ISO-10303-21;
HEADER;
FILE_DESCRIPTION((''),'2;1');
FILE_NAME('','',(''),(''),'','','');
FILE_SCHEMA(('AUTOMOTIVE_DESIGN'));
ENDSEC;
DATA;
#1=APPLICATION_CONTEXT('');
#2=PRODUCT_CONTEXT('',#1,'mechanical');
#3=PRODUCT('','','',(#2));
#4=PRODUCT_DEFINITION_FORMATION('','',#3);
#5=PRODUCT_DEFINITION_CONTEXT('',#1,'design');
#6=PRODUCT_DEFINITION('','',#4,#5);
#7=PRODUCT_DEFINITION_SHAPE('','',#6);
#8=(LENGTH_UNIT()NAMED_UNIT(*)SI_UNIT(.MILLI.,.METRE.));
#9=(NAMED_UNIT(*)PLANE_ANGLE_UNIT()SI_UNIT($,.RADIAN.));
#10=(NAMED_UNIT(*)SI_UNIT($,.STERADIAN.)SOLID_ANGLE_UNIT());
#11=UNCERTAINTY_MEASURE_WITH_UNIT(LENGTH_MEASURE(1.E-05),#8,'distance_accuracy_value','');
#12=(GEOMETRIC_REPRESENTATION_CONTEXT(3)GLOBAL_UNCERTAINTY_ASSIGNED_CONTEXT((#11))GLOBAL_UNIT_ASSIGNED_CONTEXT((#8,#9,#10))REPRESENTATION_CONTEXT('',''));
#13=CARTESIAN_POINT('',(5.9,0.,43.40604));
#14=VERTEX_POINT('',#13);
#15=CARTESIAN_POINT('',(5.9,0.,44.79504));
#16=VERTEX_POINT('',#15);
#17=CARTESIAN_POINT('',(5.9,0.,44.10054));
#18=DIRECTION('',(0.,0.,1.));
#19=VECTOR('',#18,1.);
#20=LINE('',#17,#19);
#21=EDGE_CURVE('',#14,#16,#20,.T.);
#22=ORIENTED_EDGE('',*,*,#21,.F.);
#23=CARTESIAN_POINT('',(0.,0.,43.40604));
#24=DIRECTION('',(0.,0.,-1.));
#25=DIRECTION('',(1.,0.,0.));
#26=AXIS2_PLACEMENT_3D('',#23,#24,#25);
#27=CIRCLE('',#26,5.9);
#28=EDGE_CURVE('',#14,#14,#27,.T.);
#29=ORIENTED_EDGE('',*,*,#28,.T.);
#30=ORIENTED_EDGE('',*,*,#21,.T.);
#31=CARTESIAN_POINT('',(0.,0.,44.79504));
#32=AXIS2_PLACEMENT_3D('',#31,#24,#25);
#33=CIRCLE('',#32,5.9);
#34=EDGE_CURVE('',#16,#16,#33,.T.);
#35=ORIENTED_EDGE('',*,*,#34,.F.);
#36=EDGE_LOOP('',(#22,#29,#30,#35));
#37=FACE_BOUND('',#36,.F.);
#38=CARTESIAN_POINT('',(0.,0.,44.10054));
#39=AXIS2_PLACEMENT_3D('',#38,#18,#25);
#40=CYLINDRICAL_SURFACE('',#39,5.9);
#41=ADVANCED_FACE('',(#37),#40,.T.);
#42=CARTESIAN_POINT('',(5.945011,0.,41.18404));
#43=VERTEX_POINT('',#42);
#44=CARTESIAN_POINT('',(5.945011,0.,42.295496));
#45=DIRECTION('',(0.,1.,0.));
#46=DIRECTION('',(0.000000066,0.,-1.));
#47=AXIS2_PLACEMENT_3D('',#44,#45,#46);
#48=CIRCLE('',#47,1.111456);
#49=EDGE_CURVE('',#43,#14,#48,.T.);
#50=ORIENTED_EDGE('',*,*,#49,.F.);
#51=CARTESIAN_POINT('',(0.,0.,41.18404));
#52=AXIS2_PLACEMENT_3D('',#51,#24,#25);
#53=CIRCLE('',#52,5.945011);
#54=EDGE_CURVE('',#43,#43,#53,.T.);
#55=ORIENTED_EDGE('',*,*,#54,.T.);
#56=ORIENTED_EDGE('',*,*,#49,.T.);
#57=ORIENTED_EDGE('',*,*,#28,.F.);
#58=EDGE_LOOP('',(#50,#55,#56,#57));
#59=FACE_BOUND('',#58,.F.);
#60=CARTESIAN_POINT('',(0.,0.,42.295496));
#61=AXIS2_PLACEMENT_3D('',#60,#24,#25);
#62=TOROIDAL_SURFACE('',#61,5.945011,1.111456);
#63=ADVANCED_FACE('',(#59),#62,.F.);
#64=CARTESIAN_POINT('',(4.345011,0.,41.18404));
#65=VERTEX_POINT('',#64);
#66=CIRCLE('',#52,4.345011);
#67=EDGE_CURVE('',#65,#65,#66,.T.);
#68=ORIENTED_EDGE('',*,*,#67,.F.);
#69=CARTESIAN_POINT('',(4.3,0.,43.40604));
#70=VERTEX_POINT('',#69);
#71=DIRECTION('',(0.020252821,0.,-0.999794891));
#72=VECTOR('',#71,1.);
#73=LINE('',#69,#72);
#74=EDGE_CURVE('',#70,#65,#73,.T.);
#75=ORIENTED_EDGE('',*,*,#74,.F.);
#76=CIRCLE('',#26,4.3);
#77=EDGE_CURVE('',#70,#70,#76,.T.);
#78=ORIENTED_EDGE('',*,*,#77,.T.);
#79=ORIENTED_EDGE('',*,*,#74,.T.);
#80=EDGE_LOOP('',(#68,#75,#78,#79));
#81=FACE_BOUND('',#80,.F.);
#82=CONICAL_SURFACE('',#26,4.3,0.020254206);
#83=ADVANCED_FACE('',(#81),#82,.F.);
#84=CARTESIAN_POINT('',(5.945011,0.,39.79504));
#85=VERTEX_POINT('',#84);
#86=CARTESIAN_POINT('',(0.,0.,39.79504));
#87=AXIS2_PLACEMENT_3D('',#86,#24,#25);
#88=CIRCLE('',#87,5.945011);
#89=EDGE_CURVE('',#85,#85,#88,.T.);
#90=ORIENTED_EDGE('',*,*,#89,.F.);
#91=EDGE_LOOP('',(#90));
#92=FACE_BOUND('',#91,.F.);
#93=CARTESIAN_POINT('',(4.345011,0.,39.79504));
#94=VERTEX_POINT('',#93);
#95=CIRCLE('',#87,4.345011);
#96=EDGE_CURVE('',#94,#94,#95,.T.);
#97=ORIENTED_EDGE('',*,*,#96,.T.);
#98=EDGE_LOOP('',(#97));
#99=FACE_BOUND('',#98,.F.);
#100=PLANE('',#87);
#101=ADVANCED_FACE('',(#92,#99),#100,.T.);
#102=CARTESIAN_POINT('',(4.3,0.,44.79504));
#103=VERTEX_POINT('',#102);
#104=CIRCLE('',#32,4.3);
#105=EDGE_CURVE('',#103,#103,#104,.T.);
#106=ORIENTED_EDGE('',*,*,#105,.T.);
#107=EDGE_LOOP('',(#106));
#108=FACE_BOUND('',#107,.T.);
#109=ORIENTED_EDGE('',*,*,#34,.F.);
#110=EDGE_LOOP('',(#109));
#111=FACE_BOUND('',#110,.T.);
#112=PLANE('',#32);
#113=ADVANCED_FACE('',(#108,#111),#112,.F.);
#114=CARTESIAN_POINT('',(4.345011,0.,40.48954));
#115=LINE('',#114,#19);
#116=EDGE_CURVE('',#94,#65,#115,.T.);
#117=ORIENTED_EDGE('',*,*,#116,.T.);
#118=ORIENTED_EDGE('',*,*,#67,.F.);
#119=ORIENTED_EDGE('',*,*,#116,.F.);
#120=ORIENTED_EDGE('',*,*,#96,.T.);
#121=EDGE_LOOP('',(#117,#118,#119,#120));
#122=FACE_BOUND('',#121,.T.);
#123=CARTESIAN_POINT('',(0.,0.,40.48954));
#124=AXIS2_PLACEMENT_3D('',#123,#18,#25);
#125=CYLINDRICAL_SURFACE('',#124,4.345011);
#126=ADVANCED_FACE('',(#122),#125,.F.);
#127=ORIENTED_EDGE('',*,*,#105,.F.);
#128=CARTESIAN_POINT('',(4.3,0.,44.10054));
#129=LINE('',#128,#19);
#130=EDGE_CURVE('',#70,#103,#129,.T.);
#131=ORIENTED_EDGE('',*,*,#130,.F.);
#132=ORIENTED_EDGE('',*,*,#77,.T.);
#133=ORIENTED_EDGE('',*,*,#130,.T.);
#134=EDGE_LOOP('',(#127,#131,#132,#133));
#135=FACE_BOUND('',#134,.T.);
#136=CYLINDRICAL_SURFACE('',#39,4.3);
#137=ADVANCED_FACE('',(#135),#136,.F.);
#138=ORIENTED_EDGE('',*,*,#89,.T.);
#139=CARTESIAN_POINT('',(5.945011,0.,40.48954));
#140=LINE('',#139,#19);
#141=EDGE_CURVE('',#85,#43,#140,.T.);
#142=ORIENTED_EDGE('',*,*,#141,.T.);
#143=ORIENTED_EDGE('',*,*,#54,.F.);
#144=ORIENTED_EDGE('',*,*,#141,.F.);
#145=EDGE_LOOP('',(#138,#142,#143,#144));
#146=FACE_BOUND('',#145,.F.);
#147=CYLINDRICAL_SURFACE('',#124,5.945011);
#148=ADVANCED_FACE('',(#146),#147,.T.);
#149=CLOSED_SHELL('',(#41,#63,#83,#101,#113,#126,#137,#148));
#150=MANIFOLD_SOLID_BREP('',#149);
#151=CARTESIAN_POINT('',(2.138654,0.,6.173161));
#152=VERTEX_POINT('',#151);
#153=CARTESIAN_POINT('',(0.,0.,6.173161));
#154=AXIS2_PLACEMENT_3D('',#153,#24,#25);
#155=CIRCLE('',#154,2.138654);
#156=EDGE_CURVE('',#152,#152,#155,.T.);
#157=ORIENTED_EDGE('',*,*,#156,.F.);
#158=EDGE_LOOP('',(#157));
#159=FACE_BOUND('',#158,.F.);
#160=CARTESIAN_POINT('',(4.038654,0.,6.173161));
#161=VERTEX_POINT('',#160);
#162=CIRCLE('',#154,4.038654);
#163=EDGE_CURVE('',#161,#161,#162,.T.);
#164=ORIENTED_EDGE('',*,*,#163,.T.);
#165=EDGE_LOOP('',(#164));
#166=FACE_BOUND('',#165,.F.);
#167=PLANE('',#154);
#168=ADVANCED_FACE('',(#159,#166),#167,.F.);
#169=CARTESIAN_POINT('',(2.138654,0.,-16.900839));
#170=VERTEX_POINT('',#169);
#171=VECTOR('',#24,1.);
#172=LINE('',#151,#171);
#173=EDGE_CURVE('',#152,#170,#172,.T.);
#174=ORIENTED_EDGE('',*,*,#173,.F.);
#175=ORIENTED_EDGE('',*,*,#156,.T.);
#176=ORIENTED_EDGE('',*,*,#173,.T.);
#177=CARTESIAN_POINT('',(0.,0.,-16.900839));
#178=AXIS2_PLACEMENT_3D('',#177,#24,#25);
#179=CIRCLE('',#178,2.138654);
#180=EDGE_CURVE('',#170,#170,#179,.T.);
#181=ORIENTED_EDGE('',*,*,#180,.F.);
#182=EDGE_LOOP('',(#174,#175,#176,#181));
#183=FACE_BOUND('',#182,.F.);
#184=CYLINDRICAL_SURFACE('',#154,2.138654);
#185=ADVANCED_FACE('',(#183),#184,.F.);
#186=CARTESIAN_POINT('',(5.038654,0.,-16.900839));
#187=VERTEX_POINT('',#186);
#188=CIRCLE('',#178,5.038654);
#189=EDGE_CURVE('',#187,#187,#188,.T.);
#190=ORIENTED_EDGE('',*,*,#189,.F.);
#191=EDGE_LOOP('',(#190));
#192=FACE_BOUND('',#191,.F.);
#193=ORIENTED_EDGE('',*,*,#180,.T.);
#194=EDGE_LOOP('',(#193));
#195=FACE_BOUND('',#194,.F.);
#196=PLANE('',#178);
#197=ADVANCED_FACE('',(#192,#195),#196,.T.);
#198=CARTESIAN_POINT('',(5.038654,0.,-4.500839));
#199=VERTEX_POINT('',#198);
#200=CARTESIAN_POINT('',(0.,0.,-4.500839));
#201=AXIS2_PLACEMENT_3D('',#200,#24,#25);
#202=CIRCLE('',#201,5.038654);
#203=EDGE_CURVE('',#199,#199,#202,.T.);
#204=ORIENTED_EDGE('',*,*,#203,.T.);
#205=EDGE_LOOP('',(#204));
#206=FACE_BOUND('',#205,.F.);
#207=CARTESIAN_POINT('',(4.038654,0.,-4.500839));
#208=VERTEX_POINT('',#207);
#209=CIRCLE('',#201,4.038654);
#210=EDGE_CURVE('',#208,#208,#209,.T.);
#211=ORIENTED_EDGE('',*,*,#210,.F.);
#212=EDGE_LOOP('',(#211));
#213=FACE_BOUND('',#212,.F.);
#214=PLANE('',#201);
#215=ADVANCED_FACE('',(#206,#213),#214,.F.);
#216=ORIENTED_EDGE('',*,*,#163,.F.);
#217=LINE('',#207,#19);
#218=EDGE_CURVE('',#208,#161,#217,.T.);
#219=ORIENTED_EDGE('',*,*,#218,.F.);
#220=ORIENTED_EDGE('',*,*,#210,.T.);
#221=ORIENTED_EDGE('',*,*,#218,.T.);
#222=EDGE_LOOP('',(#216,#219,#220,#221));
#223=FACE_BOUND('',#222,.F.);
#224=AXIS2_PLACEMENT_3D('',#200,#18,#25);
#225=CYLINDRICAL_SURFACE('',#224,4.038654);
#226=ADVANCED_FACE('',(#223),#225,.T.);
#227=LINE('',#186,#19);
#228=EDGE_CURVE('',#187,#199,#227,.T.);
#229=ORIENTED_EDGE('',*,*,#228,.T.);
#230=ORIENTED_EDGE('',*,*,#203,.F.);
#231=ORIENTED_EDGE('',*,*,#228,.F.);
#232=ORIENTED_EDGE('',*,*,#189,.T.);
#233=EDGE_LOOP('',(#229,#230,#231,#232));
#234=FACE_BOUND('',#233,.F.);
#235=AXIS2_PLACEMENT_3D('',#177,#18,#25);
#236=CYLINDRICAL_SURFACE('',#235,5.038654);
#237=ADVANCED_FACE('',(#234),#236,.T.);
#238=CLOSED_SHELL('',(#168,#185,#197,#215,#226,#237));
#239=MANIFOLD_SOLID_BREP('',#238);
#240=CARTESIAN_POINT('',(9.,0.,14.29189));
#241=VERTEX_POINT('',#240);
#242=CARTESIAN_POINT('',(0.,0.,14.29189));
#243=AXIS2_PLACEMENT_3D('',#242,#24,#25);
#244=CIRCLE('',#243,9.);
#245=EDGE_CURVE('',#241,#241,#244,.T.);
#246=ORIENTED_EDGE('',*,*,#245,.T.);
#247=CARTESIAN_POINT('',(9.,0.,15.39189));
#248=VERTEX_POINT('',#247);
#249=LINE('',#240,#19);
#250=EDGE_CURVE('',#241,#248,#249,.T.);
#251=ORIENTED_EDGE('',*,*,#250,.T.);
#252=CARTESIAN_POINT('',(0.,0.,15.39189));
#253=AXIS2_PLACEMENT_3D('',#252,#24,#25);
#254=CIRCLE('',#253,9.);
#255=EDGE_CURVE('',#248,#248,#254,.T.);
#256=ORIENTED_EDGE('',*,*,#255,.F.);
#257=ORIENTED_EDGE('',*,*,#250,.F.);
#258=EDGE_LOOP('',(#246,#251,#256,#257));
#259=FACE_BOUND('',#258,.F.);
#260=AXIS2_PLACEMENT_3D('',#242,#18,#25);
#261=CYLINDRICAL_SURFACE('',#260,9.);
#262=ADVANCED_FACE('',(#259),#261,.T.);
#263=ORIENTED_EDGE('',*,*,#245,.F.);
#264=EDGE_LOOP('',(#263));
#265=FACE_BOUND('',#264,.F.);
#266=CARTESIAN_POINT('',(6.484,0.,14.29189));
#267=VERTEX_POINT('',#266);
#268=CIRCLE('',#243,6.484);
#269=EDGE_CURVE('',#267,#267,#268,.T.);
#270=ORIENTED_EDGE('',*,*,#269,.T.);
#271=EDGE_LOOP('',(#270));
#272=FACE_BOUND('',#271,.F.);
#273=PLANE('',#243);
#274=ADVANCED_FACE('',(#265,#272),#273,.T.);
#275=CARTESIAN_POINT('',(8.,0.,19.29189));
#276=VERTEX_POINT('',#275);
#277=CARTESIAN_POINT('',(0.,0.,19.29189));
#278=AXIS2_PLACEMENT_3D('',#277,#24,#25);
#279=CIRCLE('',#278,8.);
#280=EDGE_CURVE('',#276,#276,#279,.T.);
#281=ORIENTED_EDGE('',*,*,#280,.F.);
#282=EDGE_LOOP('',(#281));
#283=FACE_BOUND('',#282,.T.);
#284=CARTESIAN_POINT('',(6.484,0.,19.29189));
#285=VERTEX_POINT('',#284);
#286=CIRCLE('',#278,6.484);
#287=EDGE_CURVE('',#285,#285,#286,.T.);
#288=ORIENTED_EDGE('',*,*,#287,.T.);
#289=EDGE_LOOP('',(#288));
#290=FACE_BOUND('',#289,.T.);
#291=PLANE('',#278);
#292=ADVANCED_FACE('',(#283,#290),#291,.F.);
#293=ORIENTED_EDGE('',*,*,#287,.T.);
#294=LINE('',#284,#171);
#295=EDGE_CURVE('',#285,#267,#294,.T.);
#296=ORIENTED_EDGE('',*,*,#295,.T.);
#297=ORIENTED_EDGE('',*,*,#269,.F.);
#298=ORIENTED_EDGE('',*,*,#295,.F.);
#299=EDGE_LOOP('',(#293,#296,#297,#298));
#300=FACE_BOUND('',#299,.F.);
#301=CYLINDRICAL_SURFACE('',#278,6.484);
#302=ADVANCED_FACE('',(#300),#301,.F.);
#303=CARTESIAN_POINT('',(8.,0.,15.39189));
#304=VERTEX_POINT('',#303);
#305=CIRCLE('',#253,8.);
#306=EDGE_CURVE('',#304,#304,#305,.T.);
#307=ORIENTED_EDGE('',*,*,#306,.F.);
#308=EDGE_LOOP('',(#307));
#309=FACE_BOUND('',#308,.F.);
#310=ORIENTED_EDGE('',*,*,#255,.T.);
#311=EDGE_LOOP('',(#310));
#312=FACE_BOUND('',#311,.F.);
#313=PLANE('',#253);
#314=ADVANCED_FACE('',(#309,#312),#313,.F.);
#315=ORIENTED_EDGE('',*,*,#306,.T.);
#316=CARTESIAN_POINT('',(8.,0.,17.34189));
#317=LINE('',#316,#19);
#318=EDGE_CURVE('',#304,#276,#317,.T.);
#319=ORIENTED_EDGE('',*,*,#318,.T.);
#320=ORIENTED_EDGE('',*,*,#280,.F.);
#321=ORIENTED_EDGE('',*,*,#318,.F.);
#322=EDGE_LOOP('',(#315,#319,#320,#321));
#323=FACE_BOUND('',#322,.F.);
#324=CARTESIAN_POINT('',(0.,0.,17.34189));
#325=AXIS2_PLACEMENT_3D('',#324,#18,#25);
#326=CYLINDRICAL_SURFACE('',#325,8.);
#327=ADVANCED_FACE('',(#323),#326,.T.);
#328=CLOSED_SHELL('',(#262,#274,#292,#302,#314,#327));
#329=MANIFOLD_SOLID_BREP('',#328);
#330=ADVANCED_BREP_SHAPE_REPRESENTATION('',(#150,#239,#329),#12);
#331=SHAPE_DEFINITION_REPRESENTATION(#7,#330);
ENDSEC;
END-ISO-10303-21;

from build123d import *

# Parameters (mm, degrees)
F0_W   = 1.516
F0_H   = 3.9
F0_W_2 = 1.6
F0_H_2 = 1.389


with BuildPart() as f1:
    # F0 (on Front) → F1 (revolve)
    with BuildSketch(Plane.XZ):
        with Locations((7.242, 17.34189)):
            Rectangle(F0_W, F0_H)
        Polygon((9, 15.39189), (8, 15.39189), (6.484, 15.39189), (6.484, 14.29189), (9, 14.29189), align=None)
        Polygon((4.038654, 6.173161), (2.138654, 6.173161), (2.138654, -16.900839), (5.038654, -16.900839), (5.038654, -4.500839), (4.038654, -4.500839), align=None)
        with Locations((5.1, 44.10054)):
            Rectangle(F0_W_2, F0_H_2)
        with BuildLine():
            Line((5.9, 43.40604), (4.3, 43.40604))
            Line((4.3, 43.40604), (4.345011, 41.18404))
            Line((4.345011, 41.18404), (5.945011, 41.18404))
            ThreePointArc((5.945011, 41.18404), (4.833783, 42.272986), (5.9, 43.40604))
        make_face()
        with Locations((5.145011, 40.48954)):
            Rectangle(F0_W_2, F0_H_2)
    revolve(axis=Axis((0, 0, 5.041287), (0, 0, -1)))


solid = f1.part
